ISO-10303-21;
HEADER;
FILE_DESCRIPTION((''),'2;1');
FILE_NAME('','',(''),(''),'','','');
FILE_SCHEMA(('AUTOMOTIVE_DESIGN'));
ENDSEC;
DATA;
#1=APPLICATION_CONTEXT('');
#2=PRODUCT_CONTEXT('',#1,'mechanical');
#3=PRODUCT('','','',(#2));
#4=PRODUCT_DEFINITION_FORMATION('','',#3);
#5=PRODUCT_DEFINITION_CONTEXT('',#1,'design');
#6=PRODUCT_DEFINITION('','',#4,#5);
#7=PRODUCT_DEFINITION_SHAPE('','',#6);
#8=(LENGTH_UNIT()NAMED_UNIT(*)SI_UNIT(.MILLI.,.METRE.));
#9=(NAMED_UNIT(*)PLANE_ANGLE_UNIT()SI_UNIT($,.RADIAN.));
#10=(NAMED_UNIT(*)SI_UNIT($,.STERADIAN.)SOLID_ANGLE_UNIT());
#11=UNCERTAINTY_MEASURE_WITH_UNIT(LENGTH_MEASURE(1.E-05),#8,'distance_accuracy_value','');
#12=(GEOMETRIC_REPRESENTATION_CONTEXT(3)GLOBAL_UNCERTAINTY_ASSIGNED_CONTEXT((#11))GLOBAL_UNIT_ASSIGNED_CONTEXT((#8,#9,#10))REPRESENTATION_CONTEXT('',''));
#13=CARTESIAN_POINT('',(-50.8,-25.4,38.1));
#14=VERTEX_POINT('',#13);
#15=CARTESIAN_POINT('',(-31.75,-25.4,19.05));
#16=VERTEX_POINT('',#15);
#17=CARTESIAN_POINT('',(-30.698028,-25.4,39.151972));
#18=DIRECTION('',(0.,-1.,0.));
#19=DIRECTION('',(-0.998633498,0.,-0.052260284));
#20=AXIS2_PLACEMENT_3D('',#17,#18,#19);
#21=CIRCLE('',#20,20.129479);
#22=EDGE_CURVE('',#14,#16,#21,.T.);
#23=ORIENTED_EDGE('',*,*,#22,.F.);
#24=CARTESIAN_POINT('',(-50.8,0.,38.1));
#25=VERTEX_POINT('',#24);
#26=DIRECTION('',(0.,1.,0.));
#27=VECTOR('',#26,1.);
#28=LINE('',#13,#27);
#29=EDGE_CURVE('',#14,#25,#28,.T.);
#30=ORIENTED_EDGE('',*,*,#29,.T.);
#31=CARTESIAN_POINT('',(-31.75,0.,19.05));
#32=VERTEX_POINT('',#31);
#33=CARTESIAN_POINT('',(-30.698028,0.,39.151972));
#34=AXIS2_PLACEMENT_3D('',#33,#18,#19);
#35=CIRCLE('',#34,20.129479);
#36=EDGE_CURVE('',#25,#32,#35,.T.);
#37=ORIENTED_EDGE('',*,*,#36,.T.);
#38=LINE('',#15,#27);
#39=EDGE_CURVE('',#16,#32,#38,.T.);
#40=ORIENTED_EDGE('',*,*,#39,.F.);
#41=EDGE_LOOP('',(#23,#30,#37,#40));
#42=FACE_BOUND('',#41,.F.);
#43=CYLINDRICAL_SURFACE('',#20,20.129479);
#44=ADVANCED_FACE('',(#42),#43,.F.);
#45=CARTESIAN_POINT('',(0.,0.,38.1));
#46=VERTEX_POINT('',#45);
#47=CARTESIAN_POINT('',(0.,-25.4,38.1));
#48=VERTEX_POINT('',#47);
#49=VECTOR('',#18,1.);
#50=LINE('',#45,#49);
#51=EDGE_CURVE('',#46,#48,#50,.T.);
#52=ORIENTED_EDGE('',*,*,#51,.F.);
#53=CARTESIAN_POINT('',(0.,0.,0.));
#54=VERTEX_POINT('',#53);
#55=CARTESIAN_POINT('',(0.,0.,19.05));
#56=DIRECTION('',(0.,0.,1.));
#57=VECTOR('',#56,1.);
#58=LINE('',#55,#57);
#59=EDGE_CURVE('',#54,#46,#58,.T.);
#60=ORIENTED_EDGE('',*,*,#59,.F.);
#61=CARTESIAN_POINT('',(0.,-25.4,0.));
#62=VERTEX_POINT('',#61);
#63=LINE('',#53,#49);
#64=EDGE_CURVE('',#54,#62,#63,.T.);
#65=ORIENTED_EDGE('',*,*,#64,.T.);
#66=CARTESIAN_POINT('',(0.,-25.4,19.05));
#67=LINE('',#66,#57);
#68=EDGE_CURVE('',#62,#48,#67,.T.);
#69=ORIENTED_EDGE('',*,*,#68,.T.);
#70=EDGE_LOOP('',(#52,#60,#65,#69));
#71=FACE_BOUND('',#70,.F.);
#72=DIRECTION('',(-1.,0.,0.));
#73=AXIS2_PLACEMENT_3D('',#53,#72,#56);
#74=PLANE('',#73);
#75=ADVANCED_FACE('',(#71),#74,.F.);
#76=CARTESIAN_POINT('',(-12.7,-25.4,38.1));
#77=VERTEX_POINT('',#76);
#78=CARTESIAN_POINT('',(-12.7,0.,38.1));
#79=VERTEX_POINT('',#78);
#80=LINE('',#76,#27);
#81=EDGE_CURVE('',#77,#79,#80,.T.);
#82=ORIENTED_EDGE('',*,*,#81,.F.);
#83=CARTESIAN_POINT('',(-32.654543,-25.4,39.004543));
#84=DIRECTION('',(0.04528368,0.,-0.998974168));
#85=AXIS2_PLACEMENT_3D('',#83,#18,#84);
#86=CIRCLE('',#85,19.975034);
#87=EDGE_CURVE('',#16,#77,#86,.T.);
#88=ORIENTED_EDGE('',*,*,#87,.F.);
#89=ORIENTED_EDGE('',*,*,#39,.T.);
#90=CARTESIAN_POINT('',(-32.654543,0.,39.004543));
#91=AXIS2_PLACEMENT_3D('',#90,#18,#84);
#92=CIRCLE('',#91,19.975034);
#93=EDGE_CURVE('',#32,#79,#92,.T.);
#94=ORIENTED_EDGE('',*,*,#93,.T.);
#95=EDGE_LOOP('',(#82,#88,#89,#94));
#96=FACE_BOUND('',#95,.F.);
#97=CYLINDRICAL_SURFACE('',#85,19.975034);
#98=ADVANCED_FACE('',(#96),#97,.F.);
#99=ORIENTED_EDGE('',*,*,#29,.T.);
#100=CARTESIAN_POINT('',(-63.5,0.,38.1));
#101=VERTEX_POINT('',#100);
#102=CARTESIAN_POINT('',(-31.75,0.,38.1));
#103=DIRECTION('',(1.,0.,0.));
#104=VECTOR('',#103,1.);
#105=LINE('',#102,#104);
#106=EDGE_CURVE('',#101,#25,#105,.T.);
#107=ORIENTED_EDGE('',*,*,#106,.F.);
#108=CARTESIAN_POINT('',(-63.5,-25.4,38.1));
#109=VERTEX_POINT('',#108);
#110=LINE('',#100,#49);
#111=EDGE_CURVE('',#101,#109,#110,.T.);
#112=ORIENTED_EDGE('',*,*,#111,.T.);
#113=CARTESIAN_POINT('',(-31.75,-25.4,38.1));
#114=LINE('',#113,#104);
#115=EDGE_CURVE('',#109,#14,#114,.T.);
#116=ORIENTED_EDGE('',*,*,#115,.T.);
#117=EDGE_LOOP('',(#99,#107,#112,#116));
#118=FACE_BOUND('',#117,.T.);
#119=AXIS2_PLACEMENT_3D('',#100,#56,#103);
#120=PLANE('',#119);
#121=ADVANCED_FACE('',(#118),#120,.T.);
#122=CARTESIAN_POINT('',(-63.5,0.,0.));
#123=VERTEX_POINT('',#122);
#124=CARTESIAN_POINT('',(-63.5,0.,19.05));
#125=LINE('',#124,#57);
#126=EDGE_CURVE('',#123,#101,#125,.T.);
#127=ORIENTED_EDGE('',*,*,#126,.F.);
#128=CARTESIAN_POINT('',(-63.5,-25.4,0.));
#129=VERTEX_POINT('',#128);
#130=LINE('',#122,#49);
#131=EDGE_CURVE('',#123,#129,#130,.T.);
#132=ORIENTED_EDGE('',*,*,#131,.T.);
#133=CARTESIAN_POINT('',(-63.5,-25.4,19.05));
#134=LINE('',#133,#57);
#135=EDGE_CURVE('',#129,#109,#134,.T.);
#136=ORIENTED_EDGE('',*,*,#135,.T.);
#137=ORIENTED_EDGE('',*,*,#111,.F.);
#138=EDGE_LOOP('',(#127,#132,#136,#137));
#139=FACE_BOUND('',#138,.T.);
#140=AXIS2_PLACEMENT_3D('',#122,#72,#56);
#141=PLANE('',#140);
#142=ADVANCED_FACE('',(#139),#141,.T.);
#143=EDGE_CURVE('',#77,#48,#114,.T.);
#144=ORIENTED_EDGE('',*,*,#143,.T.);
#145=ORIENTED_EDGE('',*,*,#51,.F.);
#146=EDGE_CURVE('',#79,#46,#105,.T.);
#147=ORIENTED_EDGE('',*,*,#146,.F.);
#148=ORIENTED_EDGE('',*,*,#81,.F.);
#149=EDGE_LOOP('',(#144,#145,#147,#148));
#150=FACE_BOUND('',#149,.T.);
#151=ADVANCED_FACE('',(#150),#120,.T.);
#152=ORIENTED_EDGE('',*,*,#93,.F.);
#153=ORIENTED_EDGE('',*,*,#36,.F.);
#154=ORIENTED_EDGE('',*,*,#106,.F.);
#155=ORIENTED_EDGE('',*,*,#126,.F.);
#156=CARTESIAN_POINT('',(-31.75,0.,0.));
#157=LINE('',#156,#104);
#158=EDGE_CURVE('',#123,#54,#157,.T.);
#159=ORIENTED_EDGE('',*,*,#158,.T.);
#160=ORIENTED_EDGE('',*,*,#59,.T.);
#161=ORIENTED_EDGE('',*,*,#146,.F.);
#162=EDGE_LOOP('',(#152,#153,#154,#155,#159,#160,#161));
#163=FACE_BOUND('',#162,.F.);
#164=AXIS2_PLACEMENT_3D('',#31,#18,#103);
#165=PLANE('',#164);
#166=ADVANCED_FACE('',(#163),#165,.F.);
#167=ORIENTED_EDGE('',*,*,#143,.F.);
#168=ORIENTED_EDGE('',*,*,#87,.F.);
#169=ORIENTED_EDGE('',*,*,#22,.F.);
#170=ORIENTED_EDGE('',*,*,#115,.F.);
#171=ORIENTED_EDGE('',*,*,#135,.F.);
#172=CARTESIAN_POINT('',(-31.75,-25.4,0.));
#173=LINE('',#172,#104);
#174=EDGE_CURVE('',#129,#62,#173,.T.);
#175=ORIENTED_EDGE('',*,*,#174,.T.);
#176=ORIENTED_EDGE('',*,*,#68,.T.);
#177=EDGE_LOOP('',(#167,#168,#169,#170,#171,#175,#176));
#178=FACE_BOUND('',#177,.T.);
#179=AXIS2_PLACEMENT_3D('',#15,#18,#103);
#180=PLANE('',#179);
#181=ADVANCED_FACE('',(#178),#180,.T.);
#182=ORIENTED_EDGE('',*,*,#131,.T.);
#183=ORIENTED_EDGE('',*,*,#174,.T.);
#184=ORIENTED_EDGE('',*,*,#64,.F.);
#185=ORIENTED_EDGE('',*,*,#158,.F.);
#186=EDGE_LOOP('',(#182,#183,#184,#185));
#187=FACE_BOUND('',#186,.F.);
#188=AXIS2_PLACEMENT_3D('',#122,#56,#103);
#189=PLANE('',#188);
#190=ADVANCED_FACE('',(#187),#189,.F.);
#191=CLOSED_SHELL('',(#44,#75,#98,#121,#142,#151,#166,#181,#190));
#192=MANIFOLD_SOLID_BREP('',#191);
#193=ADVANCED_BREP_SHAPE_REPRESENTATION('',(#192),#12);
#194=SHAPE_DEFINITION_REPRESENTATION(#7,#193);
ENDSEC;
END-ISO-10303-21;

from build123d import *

# Parameters (mm, degrees)
F0_W     = 63.5
F0_H     = 38.1
F1_DEPTH = 25.4
F3_DEPTH = 25.4


with BuildPart() as f1:
    # F0 (on Front) → F1 (new body)
    with BuildSketch(Plane.XZ):
        with Locations((-31.75, 19.05)):
            Rectangle(F0_W, F0_H)
    extrude(amount=F1_DEPTH)

    # F2 (on face) → F3 (cut)
    with BuildSketch(Plane.XZ.offset(25.4)):
        with BuildLine():
            ThreePointArc((-50.8, 38.1), (-44.931719, 24.918281), (-31.75, 19.05))
            ThreePointArc((-31.75, 19.05), (-18.530061, 24.880061), (-12.7, 38.1))
            Line((-12.7, 38.1), (-31.75, 38.1))
            Line((-31.75, 38.1), (-50.8, 38.1))
        make_face()
    extrude(amount=-F3_DEPTH, mode=Mode.SUBTRACT)


solid = f1.part
